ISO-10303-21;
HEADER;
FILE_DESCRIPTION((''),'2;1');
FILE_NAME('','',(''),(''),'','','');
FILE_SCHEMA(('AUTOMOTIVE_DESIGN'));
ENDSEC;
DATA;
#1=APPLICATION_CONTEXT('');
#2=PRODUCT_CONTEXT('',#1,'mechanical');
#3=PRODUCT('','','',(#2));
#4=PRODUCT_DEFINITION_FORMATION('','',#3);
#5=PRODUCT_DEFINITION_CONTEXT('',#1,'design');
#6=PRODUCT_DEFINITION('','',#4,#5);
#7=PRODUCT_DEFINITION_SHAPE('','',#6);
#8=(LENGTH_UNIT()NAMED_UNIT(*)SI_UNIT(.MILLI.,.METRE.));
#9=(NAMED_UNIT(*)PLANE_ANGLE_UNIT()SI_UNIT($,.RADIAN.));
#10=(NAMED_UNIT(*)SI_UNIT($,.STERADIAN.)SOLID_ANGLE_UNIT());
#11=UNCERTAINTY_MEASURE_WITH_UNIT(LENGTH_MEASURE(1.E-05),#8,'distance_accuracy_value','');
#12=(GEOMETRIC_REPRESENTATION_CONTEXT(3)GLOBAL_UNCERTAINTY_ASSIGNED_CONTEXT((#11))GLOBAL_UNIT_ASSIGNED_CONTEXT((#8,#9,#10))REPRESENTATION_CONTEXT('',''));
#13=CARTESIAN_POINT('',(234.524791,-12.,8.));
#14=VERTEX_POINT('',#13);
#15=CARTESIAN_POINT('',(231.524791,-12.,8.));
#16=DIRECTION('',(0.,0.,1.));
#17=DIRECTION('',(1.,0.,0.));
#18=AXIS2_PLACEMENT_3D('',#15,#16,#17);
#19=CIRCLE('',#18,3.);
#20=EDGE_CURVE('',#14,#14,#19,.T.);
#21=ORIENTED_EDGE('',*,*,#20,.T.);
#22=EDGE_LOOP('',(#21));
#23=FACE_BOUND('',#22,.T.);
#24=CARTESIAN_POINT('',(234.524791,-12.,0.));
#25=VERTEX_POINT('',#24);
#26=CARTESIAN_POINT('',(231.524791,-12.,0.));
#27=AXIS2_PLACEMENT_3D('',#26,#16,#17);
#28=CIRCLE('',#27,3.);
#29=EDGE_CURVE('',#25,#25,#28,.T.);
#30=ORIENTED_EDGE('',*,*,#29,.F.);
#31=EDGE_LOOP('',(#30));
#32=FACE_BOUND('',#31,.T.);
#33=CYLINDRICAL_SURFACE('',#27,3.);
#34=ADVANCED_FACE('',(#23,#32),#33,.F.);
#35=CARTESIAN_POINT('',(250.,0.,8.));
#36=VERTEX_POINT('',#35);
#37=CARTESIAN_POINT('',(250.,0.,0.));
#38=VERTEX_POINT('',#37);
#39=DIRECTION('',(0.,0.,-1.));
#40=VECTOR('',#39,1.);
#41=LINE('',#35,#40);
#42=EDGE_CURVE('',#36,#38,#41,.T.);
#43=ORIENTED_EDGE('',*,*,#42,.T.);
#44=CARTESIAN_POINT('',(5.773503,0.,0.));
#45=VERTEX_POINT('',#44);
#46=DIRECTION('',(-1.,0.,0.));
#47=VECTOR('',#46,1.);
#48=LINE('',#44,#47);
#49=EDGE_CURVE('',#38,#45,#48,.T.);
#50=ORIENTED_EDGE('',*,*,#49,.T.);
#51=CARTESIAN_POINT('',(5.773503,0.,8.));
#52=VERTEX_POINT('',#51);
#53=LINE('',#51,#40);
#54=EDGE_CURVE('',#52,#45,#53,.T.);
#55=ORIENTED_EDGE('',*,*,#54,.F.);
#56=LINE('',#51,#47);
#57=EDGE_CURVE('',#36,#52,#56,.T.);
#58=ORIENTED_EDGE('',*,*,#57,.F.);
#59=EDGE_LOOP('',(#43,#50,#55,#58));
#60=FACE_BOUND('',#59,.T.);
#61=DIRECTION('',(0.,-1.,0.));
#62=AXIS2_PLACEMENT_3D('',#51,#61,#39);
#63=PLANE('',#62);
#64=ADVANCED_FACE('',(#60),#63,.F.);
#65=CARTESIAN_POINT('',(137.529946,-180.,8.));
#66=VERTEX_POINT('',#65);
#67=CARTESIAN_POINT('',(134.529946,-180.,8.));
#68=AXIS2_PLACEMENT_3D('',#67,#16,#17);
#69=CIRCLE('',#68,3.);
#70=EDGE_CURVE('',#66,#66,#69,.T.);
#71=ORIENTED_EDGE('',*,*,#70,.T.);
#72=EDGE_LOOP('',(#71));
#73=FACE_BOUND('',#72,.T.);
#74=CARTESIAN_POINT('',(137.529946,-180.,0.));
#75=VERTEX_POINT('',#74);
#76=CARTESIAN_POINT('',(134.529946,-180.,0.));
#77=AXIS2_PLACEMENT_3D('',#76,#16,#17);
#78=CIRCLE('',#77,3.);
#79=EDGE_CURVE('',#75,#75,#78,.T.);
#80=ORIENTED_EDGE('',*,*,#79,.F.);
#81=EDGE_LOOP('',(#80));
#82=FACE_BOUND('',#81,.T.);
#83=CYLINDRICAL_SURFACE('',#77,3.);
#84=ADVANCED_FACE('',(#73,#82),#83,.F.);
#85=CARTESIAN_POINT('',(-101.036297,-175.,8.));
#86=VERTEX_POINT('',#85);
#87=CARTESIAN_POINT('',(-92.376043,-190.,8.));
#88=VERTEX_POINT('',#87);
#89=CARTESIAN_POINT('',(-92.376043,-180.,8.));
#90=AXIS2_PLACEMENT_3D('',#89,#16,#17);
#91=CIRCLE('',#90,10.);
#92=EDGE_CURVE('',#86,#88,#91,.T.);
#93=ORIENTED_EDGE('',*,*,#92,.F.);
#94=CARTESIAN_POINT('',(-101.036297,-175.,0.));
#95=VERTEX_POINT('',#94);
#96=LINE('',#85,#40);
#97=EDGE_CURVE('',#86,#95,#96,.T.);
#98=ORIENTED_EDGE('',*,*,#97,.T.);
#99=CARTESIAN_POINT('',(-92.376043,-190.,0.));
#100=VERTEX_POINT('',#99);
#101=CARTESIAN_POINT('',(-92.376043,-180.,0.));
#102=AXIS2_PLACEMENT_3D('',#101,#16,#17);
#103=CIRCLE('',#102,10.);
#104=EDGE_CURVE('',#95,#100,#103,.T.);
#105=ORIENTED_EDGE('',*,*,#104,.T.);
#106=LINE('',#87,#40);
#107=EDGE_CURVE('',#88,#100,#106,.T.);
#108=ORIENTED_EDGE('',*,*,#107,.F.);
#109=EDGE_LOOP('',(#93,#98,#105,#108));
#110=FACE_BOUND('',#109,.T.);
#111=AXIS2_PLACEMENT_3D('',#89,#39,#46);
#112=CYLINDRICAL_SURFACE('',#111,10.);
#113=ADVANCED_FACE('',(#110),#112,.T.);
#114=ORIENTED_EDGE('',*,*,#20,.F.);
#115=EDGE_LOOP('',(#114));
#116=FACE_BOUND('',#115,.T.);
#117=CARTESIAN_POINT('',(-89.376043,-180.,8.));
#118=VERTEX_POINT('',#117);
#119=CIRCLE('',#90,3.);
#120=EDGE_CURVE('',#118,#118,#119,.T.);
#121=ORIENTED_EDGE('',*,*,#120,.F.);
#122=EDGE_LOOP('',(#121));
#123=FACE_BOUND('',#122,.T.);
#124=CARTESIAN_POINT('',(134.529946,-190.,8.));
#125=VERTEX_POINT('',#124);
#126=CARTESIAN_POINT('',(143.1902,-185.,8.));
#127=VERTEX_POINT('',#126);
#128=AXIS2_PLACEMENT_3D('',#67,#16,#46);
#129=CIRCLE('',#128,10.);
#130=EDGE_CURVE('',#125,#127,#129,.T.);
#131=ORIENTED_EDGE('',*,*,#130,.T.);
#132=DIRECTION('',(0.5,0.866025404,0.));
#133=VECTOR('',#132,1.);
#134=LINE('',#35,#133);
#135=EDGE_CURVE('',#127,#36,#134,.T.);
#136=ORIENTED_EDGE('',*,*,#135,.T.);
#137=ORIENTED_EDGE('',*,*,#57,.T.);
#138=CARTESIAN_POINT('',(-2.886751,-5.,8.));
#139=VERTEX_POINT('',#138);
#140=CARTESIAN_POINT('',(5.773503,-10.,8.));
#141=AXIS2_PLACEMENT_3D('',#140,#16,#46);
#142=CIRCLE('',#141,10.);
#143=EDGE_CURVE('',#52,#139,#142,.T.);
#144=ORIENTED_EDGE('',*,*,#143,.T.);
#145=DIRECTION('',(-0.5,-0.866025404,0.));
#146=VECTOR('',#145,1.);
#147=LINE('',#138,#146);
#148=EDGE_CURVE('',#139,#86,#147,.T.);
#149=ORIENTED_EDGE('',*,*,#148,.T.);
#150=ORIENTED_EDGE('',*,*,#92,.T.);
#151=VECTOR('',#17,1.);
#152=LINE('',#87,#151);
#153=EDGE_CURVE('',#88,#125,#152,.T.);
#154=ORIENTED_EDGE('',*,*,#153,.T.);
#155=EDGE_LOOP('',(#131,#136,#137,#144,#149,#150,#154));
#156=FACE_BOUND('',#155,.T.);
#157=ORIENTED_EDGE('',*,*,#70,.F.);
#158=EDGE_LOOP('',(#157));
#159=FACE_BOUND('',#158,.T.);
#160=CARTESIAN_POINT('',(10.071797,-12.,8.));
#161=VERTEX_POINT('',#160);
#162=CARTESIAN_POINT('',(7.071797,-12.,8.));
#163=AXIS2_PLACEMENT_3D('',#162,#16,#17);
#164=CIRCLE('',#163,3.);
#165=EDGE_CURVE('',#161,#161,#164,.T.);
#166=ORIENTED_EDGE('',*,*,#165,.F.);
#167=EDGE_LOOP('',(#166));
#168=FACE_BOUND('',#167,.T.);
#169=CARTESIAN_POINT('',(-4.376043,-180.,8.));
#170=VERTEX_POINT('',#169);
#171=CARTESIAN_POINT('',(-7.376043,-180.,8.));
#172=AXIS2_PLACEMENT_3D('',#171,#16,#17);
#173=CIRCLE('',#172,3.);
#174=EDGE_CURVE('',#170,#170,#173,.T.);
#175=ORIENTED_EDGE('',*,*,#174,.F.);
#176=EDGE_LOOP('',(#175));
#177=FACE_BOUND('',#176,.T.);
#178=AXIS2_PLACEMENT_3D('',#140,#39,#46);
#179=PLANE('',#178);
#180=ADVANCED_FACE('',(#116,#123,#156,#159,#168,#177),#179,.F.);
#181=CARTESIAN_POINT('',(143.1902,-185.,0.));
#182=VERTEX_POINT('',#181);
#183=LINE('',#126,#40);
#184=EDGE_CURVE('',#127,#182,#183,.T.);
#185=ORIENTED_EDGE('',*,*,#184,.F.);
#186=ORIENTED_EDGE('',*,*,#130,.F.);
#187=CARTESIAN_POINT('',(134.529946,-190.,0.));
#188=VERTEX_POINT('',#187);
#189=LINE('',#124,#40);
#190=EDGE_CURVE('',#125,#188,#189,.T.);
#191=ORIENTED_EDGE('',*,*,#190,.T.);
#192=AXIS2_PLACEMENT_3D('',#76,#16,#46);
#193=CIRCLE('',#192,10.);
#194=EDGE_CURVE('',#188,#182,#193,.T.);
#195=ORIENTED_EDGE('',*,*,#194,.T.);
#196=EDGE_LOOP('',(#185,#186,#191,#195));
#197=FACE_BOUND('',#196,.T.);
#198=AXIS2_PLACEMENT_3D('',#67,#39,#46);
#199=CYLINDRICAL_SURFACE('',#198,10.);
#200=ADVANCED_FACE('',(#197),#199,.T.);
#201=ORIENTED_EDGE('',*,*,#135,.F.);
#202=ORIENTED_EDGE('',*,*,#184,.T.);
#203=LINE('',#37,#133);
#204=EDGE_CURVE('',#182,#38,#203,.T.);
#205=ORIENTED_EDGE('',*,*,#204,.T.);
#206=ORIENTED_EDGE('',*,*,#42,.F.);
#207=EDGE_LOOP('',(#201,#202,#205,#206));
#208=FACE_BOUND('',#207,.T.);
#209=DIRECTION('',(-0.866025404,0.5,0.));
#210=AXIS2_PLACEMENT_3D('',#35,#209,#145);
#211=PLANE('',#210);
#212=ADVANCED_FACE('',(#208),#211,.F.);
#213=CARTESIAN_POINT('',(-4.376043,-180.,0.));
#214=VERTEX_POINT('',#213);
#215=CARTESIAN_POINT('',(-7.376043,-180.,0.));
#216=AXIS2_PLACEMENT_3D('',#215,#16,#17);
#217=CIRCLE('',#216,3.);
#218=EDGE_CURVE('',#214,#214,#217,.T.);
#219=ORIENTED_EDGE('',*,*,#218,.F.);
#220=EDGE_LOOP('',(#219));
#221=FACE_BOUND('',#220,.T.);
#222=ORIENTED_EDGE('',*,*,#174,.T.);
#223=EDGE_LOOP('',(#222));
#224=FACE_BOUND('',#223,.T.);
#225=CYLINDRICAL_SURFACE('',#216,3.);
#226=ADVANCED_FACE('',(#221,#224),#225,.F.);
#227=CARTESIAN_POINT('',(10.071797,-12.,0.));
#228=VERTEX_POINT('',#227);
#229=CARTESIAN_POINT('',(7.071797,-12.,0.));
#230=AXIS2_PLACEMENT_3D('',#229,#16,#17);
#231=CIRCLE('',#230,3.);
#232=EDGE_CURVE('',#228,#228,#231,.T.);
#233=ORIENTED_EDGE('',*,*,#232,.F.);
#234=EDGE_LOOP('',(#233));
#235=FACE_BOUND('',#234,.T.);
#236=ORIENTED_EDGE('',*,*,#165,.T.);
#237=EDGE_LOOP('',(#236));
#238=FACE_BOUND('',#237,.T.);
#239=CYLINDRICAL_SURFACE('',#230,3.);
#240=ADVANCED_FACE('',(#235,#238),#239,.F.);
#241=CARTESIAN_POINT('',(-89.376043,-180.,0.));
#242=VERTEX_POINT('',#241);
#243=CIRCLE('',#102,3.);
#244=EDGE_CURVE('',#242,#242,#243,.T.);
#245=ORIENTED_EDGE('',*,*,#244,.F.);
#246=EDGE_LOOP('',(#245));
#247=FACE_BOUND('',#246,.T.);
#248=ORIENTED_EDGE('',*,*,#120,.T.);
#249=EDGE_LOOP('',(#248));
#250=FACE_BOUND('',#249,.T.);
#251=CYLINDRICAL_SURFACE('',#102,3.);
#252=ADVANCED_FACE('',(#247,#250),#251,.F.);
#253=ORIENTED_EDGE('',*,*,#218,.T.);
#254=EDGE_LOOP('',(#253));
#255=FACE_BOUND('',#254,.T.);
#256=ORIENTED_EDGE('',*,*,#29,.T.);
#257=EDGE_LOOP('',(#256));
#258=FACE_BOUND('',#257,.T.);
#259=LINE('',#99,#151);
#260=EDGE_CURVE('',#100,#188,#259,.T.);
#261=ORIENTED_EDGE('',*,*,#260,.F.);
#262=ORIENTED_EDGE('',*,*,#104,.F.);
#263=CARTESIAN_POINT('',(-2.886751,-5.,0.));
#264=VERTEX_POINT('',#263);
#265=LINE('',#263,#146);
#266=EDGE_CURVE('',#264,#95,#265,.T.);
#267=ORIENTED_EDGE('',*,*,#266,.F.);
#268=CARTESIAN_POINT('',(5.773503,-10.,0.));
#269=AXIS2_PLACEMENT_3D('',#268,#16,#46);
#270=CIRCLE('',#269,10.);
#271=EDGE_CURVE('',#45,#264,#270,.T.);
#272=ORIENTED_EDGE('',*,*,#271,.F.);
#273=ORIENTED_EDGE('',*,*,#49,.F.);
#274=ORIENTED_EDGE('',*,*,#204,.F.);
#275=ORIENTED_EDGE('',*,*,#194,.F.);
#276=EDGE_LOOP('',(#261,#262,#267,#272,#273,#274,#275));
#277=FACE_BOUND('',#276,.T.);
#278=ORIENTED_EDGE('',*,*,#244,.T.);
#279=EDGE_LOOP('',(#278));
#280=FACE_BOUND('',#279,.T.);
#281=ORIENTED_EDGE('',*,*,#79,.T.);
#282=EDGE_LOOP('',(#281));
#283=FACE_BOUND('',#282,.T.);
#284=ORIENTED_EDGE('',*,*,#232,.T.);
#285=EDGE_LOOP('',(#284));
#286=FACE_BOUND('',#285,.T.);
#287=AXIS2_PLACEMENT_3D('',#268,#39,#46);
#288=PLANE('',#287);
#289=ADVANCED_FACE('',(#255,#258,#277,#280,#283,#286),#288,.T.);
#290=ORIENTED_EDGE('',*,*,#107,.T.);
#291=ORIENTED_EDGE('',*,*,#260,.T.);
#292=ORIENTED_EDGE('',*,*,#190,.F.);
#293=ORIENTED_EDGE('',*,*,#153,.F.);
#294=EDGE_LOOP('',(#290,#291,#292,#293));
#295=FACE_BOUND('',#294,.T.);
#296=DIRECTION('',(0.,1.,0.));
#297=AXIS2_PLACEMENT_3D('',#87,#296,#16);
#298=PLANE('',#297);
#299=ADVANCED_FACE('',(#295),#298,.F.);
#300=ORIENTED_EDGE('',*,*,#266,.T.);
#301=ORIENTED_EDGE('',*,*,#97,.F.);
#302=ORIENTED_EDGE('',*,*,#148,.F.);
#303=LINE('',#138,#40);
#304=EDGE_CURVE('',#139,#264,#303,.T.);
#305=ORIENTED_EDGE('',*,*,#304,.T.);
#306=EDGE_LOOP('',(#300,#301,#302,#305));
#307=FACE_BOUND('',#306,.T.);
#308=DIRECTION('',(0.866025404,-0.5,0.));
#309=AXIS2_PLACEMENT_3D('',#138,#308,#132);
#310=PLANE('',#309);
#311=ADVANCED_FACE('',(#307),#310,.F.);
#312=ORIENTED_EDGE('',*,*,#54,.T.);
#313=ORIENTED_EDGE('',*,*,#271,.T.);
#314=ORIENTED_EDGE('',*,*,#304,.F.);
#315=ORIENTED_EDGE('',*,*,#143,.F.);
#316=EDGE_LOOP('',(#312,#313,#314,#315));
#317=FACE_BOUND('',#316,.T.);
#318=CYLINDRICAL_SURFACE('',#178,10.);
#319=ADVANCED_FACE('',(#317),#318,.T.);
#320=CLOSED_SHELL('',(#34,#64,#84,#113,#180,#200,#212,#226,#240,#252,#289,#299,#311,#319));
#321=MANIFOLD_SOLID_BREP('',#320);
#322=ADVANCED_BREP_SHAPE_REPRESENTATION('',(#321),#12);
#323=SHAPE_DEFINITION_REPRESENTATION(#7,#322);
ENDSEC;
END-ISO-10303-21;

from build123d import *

# Parameters (mm, degrees)
BOSS_EXTRU_1_DEPTH      = 8
ESQUISSE2_R             = 3
ENL_V_MAT_EXTRU_1_DEPTH = 1597.033446326


with BuildPart() as part:
    # Esquisse1 → Boss.-Extru.1 (new body)
    with BuildSketch(Plane.XY):
        with BuildLine():
            Line((5.773502692, 0), (250, 0))
            Line((250, 0), (143.1902002, -185))
            ThreePointArc((143.1902002, -185), (139.529946162, -188.660254038), (134.529946162, -190))
            Line((134.529946162, -190), (-92.37604307, -190))
            ThreePointArc((-92.37604307, -190), (-101.036297108, -185), (-101.036297108, -175))
            Line((-101.036297108, -175), (-2.886751346, -5))
            ThreePointArc((-2.886751346, -5), (0.773502692, -1.339745962), (5.773502692, 0))
        make_face()
    extrude(amount=BOSS_EXTRU_1_DEPTH)

    # Esquisse2 → Enlèv. mat.-Extru.1 (cut, through all)
    with BuildSketch(Plane(origin=(-1216.410161514, -630, 8), x_dir=(1, 0, 0), z_dir=(0, 0, 1))):
        with Locations((1124.034118443, 450)):
            Circle(ESQUISSE2_R)
        with Locations((1209.034118443, 450)):
            Circle(ESQUISSE2_R)
        with Locations((1223.481958283, 618)):
            Circle(ESQUISSE2_R)
        with Locations((1447.9349529, 618)):
            Circle(ESQUISSE2_R)
        with Locations((1350.940107676, 450)):
            Circle(ESQUISSE2_R)
    extrude(amount=-ENL_V_MAT_EXTRU_1_DEPTH, mode=Mode.SUBTRACT)


solid = part.part
